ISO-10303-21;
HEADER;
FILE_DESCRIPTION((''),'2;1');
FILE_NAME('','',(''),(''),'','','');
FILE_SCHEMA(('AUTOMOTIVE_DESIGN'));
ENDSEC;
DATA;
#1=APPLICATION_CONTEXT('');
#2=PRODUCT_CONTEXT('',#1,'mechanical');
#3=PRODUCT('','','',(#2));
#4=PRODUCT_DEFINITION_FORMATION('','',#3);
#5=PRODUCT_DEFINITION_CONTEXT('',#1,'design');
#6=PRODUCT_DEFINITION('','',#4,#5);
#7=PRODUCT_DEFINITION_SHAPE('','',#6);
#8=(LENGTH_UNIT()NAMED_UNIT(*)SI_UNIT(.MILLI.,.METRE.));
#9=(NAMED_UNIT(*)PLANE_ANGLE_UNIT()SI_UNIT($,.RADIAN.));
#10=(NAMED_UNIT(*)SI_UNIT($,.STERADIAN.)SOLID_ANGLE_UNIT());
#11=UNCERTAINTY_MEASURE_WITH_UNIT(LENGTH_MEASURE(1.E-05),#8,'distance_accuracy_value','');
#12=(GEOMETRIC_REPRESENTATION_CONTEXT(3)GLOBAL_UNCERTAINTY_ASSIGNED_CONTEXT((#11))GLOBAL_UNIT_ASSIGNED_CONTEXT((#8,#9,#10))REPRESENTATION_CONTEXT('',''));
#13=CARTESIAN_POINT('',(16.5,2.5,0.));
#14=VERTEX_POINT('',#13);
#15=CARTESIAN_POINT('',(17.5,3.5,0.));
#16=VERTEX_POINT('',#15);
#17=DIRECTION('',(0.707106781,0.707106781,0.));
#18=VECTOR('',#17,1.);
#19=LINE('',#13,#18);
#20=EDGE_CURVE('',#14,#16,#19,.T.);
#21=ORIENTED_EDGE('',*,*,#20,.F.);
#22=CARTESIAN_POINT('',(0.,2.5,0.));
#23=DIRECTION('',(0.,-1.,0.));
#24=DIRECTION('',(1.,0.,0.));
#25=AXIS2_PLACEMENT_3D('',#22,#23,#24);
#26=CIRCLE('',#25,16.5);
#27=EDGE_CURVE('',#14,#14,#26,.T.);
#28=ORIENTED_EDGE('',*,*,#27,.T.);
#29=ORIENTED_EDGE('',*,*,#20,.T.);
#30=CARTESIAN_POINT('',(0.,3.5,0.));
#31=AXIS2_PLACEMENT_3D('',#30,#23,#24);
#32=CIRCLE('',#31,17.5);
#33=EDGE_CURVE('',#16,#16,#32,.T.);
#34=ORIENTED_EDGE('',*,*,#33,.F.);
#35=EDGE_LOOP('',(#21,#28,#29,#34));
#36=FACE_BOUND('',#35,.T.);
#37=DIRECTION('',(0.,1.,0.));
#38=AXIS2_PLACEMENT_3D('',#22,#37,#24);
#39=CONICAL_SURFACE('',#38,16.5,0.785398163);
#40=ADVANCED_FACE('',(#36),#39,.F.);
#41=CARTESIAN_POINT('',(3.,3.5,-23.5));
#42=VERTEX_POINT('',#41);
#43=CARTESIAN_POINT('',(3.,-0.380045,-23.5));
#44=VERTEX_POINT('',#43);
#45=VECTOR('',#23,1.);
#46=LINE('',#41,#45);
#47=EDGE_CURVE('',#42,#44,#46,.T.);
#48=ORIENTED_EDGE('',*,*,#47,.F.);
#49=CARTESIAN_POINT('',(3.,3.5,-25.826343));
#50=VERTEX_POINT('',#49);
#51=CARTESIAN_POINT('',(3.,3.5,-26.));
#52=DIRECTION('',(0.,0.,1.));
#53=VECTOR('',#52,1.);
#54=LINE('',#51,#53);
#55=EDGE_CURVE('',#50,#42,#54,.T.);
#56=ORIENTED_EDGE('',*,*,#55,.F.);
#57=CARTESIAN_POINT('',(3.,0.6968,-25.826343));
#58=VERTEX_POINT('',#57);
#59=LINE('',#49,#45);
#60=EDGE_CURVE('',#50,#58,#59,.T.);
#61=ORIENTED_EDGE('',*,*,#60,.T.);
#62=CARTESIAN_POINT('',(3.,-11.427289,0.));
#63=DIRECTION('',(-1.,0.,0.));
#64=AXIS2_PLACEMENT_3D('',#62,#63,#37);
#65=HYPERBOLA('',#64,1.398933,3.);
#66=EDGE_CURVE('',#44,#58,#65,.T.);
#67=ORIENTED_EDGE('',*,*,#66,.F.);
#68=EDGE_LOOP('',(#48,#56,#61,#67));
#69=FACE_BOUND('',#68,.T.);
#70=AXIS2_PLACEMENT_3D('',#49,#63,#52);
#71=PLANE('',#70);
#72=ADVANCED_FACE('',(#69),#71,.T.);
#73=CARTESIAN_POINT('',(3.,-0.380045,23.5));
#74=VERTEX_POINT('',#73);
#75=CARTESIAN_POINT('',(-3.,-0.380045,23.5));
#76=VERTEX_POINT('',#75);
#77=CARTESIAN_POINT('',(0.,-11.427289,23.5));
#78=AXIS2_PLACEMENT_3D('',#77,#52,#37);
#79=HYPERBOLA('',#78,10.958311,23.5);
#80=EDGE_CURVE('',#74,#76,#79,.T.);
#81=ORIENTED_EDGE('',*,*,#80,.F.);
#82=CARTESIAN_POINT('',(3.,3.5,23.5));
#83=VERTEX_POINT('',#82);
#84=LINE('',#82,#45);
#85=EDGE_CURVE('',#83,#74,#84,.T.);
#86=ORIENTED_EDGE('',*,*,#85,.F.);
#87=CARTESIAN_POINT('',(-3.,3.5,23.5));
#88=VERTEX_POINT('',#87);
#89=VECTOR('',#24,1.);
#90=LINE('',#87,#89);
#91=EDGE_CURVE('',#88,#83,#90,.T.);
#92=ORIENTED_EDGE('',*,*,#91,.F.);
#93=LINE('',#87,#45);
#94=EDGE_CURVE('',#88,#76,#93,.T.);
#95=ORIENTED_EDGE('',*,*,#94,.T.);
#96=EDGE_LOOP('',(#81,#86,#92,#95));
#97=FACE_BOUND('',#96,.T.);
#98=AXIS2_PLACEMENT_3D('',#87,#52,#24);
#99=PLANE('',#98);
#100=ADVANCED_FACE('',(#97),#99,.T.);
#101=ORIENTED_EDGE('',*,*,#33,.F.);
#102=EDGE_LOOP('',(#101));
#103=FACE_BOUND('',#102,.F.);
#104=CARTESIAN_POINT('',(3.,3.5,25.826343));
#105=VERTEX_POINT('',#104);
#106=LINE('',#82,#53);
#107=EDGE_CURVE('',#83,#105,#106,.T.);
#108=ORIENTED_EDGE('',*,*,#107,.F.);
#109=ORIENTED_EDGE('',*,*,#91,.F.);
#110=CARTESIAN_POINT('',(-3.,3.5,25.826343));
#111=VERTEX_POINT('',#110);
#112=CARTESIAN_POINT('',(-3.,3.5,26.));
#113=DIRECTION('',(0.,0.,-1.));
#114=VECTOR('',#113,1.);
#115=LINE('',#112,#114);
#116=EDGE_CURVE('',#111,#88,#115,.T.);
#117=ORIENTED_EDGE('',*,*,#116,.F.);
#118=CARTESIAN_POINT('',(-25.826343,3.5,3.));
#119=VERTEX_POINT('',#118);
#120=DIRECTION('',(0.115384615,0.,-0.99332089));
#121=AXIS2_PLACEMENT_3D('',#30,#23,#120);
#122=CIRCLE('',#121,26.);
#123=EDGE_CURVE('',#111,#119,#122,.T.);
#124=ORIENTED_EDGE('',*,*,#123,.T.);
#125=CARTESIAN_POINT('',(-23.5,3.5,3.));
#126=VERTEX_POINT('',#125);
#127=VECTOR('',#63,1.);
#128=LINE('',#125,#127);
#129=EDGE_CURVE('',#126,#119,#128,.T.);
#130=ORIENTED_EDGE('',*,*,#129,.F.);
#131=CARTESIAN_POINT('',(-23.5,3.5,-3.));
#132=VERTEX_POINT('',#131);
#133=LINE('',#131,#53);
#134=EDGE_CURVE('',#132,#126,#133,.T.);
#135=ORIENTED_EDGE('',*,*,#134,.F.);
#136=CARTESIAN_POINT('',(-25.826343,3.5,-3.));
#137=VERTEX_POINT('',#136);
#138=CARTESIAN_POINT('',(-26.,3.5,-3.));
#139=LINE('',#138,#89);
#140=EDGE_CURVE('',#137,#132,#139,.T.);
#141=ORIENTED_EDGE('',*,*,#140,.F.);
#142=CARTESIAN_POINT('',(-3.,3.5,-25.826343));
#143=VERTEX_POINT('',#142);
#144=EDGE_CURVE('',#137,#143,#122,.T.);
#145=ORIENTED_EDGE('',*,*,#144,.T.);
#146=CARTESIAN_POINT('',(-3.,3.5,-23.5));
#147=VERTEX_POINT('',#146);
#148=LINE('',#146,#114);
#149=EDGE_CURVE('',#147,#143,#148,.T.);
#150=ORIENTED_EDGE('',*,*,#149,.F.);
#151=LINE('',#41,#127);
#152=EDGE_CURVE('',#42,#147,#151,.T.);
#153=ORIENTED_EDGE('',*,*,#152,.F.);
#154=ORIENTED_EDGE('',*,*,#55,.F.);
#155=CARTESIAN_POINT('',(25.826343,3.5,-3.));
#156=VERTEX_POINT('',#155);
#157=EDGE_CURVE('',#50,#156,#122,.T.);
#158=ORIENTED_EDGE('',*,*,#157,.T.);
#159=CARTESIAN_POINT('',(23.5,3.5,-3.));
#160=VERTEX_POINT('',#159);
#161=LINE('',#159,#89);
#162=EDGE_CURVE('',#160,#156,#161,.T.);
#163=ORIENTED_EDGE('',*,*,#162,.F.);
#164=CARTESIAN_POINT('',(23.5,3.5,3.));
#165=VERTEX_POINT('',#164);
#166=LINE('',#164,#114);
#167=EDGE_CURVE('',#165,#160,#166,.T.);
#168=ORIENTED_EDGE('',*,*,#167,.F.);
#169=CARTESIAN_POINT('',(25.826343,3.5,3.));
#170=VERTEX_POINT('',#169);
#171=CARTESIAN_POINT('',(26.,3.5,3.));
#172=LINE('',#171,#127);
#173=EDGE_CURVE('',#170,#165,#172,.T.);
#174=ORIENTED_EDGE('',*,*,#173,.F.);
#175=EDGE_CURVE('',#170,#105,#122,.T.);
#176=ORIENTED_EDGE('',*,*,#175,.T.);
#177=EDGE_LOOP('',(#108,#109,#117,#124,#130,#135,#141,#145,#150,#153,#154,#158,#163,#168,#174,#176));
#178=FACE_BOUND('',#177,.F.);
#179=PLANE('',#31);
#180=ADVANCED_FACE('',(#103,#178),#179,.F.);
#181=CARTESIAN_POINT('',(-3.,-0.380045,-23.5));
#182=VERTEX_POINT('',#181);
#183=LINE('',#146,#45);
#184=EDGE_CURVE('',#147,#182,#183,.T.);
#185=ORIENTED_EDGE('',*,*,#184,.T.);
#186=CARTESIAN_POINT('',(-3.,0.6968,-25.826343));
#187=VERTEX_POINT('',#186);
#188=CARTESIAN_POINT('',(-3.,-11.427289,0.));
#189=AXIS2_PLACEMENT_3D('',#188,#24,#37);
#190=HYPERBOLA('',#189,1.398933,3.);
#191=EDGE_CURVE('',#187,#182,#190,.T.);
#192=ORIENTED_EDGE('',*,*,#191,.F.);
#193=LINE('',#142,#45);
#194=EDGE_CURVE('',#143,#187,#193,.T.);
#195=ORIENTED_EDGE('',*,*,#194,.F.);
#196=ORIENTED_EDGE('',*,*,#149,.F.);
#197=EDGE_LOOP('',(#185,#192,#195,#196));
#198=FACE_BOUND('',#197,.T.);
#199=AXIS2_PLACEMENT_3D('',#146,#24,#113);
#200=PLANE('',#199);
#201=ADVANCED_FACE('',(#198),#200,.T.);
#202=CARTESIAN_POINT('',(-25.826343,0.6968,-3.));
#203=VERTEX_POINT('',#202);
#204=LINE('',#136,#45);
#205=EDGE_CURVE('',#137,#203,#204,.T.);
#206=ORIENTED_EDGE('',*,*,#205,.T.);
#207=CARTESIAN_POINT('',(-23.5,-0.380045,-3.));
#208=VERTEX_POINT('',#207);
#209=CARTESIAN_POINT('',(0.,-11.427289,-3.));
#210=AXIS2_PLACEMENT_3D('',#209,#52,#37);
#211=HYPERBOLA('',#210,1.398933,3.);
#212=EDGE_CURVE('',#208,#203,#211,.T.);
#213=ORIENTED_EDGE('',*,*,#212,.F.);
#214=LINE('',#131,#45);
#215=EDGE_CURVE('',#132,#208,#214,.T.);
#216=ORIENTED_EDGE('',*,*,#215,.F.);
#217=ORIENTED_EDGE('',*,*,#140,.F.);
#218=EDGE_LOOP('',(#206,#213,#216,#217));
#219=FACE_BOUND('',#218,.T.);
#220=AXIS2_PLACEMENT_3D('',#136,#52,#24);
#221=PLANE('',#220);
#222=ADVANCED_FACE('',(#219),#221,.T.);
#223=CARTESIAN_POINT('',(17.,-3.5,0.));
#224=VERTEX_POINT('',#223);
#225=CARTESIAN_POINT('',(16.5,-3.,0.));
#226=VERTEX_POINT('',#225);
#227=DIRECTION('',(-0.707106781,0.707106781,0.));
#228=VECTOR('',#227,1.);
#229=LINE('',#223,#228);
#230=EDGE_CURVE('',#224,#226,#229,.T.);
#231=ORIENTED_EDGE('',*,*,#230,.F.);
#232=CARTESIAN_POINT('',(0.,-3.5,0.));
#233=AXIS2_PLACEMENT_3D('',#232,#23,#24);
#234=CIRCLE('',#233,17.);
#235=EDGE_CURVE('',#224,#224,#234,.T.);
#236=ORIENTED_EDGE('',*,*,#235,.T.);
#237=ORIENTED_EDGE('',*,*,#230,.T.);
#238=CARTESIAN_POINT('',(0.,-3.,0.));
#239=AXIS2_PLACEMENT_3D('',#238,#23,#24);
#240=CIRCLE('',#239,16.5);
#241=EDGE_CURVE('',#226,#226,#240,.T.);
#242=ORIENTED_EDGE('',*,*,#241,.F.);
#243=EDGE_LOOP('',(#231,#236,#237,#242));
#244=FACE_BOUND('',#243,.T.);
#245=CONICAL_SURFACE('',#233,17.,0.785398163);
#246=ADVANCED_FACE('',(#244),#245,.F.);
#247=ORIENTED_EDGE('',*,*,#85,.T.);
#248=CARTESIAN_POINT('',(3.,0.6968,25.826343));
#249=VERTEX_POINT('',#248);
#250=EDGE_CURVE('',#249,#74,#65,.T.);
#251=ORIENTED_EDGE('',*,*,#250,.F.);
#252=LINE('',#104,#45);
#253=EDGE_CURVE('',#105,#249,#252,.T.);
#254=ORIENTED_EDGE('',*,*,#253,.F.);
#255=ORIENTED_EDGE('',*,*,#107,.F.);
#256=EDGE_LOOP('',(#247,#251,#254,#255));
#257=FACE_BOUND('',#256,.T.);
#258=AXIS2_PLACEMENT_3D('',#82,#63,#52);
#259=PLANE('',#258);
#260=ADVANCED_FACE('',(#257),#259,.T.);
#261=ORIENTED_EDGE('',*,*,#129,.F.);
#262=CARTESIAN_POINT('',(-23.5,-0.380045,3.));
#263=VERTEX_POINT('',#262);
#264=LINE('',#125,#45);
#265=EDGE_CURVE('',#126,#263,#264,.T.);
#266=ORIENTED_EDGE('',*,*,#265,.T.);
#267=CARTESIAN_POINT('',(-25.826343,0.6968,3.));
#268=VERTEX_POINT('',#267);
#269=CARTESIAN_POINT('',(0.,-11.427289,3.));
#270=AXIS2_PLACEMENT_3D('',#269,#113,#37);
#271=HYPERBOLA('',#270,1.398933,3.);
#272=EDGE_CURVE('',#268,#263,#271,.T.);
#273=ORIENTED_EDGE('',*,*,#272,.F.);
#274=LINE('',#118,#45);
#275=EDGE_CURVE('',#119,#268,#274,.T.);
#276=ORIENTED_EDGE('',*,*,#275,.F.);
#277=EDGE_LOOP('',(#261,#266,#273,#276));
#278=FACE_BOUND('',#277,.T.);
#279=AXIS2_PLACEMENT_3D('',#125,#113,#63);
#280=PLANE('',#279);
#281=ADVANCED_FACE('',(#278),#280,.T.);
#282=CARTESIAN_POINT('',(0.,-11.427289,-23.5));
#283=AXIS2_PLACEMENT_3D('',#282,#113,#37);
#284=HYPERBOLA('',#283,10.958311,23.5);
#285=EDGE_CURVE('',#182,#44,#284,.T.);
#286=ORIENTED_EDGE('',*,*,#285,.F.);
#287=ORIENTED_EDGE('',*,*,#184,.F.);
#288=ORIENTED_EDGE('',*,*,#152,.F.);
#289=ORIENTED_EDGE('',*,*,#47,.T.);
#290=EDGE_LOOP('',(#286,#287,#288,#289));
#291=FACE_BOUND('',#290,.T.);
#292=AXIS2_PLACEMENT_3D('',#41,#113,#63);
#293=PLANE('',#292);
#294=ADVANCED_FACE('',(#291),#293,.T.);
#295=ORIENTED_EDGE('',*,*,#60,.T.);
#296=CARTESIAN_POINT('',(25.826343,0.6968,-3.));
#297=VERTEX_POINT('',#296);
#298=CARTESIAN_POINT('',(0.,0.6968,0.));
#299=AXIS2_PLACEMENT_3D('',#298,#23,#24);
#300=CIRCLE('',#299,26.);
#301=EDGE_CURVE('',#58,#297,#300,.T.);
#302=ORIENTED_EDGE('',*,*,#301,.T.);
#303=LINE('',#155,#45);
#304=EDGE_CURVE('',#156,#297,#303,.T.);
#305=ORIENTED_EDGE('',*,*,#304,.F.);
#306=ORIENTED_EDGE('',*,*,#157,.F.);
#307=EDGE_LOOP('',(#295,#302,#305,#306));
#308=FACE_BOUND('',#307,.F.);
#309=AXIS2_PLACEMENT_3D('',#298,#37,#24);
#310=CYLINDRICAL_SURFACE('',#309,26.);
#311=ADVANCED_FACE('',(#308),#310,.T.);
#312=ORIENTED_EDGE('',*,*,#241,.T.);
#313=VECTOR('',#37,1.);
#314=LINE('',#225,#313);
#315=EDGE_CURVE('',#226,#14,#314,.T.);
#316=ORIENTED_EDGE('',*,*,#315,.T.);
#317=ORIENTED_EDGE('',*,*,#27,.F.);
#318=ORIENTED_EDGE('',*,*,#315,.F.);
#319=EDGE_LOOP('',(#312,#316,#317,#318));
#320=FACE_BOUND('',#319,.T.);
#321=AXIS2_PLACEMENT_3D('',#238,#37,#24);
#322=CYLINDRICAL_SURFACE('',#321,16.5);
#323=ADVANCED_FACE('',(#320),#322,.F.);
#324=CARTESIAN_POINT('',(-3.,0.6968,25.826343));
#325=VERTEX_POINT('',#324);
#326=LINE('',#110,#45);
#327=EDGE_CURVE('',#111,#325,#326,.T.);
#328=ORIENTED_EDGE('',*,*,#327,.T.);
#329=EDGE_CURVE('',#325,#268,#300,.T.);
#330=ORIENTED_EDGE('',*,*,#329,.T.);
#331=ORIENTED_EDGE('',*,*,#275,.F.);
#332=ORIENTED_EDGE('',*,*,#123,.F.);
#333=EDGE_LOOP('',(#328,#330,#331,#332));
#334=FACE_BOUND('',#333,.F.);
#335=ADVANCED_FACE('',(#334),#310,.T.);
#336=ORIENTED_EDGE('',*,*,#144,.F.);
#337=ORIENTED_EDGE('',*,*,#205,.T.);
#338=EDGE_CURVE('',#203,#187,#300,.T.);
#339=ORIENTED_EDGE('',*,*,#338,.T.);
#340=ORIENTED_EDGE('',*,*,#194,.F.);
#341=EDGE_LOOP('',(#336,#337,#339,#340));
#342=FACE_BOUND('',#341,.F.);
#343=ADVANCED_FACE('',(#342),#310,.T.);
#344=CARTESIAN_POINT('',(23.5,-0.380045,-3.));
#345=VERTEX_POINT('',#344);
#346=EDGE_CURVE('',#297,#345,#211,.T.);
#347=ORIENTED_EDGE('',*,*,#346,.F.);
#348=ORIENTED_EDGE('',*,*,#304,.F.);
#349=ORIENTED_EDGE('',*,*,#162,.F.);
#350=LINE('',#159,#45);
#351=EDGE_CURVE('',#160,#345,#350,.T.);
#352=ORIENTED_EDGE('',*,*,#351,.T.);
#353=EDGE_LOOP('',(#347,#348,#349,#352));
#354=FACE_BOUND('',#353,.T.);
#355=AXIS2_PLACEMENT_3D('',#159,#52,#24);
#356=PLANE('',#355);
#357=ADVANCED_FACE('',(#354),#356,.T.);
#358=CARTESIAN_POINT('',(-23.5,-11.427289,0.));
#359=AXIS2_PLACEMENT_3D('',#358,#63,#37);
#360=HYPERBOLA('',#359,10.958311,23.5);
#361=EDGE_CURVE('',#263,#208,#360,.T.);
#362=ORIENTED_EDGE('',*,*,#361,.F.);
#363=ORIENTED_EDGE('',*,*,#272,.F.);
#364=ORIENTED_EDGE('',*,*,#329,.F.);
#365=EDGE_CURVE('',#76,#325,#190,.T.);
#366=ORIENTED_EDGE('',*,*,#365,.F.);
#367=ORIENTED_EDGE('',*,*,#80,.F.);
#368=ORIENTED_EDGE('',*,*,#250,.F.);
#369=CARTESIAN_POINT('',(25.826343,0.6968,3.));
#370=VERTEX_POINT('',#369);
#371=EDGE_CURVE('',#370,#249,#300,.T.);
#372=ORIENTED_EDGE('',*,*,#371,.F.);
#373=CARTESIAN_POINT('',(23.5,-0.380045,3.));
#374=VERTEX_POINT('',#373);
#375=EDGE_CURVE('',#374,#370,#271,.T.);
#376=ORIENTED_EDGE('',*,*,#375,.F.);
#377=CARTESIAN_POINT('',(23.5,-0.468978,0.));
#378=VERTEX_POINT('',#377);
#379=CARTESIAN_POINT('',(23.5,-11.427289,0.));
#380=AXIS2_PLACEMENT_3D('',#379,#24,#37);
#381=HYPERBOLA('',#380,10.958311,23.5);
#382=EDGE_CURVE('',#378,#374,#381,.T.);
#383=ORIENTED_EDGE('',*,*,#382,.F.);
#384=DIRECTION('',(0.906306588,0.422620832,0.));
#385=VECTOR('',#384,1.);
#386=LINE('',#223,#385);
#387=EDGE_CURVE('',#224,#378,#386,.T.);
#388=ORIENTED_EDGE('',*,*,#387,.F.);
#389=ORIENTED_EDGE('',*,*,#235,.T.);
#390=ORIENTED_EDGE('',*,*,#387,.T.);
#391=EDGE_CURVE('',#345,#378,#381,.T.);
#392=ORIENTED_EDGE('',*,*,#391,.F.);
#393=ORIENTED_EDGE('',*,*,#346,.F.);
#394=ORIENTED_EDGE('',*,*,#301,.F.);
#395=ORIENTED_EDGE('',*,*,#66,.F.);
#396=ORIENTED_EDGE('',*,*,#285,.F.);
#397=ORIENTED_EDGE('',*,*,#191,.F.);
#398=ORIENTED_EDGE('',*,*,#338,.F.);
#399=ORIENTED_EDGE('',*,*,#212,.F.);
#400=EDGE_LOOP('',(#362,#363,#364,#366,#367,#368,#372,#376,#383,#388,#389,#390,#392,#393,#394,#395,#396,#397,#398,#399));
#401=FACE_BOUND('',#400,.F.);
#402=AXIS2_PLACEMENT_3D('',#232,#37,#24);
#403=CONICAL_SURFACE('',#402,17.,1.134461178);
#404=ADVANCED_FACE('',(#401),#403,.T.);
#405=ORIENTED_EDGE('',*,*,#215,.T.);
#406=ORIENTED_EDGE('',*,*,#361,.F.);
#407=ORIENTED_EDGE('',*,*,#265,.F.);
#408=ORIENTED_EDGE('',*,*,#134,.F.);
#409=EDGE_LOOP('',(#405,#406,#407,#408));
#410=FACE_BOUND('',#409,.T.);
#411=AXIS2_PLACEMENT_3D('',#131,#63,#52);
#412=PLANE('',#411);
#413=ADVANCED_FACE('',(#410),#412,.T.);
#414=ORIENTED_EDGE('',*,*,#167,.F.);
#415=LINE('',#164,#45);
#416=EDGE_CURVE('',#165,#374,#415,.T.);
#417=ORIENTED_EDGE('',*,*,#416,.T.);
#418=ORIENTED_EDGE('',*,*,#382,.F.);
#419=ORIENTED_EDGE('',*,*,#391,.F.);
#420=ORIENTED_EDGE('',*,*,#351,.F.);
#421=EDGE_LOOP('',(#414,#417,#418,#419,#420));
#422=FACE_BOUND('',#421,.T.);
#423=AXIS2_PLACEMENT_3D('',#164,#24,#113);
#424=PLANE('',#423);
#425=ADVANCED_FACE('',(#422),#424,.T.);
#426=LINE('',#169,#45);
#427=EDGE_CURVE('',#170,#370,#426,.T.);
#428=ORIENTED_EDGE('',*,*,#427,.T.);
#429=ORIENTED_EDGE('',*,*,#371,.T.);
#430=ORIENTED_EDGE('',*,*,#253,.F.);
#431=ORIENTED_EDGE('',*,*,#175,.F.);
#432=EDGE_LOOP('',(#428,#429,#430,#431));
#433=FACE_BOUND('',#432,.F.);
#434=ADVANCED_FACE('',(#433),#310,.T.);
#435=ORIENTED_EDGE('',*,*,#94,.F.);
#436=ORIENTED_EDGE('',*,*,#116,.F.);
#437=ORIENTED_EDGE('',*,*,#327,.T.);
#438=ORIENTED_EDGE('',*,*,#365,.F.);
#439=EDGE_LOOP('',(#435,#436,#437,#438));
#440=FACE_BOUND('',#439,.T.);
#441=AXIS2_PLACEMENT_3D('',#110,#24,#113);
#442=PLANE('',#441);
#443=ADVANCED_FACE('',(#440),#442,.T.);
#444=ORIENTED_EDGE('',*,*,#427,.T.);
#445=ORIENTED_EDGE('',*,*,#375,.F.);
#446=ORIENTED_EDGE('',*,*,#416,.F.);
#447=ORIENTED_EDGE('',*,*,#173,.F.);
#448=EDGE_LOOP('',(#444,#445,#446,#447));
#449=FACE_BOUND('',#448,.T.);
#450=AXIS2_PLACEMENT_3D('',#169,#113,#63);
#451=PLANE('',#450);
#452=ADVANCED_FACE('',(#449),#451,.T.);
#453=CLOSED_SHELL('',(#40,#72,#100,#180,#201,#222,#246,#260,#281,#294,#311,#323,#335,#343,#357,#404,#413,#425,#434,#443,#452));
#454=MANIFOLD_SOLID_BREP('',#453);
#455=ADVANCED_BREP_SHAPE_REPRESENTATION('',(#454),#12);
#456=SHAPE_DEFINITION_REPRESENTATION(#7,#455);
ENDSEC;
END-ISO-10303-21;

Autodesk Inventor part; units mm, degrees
ref_plane "YZ Plane" through (0, 0, 0) normal (1, 0, 0) x (0, 1, 0)
ref_plane "XZ Plane" through (0, 0, 0) normal (0, 1, 0) x (-1, 0, 0)
ref_plane "XY Plane" through (0, 0, 0) normal (0, 0, 1) x (1, 0, 0)
sketch "Эскиз1" plane through (0, 0, 0) normal (0, 0, 1) x (1, 0, 0)
  line L0 (0, 3.5) -> (0, -3.5)
  line L1 (17, -3.5) -> (26, 0.6968)
  line L2 (26, 0.6968) -> (26, 3.5)
  line L3 (26, 3.5) -> (17.5, 3.5)
  line L4 (17, -3.5) -> (16.5, -3)
  line L5 (16.5, -3) -> (16.5, 2.5)
  line L6 (0, -3.5) -> (17, -3.5) construction
  line L7 (16.5, 2.5) -> (17.5, 3.5)
  point P0 (0, 0)
  point P1 (0, 0)
  point P2 (16.5, 3.5)
  dimension "d0" = 7
  dimension "d1" = 34
  dimension "d2" = 33
  dimension "d3" = 25
  dimension "d4" = 52
  dimension "d5" = 45
  dimension "d6" = 1
  dimension "d7" = 45
revolve "Вращение1" add sketch "Эскиз1" angle 360 about axis through (0, 3.5, 0) along (0, -1, 0)
sketch "Эскиз2" plane through (0, 3.5, 0) normal (0, 1, 0) x (1, 0, 0)
  line L0 (-3, 26) -> (3, 26)
  line L1 (3, 26) -> (3, 23.5)
  line L2 (3, 23.5) -> (-3, 23.5)
  line L3 (-3, 23.5) -> (-3, 26)
  circle A0 centre (0, 0) radius 26 projected
  point P0 (0, 0)
  point P1 (0, 23.5)
  point P2 (3, 25.8263)
  point P3 (-3, 25.8263)
  dimension "d9" = 6
  dimension "d10" = 2.5
extrude "Выдавливание1" cut sketch "Эскиз2" against normal through all contours A0 L1 L2 L3 picked at (0, 24.3333)
pattern_circular "Круговой массив1" count 4 over 360 about axis through (0, 2.0984, 0) along (0, -1, 0) of "Выдавливание1"
thread "Резьба1" size "M33x1" class "6H" standard "ISO Metric profile" length 20
properties part number "75. Гайка промежуточного вала"
